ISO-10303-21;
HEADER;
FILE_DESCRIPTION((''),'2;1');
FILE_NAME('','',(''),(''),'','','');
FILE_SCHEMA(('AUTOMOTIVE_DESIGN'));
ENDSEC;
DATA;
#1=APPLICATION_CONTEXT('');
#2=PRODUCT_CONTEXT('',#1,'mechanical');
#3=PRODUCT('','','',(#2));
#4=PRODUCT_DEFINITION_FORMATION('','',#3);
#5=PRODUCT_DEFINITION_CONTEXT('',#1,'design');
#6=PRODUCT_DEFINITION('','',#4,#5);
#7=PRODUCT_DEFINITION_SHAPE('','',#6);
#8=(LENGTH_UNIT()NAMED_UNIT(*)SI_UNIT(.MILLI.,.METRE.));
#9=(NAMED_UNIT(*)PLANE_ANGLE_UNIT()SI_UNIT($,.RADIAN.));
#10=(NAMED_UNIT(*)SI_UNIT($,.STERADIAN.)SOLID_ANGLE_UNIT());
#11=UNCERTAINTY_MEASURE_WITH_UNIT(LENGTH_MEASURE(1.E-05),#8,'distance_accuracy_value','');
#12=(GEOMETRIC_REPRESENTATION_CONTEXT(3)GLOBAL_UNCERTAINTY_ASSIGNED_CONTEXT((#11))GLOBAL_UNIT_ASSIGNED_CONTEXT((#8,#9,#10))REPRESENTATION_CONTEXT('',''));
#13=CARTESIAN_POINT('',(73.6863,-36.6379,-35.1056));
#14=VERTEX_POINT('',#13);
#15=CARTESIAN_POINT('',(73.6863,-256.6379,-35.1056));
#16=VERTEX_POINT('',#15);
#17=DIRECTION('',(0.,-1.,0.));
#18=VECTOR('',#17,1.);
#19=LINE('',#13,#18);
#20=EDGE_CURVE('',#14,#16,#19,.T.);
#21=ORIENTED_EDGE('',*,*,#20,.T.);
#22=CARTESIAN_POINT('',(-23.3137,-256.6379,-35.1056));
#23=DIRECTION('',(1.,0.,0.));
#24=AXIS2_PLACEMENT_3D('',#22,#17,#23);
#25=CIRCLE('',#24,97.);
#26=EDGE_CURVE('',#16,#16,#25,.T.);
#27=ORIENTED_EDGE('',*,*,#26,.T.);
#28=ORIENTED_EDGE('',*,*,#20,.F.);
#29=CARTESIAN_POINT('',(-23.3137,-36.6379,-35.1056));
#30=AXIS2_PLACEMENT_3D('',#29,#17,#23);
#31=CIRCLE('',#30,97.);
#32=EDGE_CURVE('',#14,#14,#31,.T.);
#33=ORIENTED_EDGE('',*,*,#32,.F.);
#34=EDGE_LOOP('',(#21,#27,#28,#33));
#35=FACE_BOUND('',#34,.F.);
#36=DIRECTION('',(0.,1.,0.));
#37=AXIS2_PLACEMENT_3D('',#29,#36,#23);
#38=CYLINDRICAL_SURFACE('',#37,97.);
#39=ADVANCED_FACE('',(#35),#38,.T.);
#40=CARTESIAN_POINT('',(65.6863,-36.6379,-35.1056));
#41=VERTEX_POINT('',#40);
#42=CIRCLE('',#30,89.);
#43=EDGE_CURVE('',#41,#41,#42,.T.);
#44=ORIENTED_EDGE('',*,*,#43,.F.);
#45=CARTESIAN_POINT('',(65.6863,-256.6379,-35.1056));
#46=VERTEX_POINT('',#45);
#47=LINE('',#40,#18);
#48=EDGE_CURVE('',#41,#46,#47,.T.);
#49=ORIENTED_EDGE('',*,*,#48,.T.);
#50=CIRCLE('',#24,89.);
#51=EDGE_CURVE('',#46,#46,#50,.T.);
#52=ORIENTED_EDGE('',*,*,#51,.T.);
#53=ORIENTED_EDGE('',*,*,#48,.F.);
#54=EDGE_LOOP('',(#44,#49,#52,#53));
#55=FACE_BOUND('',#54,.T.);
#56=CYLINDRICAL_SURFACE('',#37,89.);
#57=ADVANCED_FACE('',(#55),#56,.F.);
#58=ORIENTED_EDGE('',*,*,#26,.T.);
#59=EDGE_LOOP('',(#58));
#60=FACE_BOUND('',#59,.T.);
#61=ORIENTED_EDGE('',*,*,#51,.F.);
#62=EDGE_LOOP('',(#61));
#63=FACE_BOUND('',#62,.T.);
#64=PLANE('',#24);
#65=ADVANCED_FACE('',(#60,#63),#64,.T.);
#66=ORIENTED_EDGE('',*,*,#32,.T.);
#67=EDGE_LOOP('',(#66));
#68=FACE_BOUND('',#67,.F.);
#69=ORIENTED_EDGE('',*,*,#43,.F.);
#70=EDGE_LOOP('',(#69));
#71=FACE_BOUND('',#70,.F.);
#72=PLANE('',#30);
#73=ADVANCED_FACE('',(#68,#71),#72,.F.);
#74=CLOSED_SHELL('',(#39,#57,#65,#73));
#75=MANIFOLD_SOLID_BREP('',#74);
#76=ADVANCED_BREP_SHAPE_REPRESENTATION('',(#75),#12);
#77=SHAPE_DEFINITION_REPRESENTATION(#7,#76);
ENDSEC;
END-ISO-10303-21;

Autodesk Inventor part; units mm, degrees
ref_plane "YZ Plane" through (0, 0, 0) normal (1, 0, 0) x (0, 1, 0)
ref_plane "XZ Plane" through (0, 0, 0) normal (0, 1, 0) x (-1, 0, 0)
ref_plane "XY Plane" through (0, 0, 0) normal (0, 0, 1) x (1, 0, 0)
ref_plane "Work Plane1" through (-23.3137, -36.6379, -35.1056) normal (0, -1, 0) x (1, 0, 0)
sketch "Sketch1" plane through (-23.3137, -36.6379, -35.1056) normal (0, -1, 0) x (1, 0, 0)
  circle A0 centre (0, 0) radius 97
  circle A1 centre (0, 0) radius 89
  point P0 (23.3137, 35.1056)
  dimension "d0" = 194
  dimension "d1" = 178
extrude "Extrusion1" add sketch "Sketch1" along normal blind 220
properties part number "cylinder1" material "Steel, Mild"
